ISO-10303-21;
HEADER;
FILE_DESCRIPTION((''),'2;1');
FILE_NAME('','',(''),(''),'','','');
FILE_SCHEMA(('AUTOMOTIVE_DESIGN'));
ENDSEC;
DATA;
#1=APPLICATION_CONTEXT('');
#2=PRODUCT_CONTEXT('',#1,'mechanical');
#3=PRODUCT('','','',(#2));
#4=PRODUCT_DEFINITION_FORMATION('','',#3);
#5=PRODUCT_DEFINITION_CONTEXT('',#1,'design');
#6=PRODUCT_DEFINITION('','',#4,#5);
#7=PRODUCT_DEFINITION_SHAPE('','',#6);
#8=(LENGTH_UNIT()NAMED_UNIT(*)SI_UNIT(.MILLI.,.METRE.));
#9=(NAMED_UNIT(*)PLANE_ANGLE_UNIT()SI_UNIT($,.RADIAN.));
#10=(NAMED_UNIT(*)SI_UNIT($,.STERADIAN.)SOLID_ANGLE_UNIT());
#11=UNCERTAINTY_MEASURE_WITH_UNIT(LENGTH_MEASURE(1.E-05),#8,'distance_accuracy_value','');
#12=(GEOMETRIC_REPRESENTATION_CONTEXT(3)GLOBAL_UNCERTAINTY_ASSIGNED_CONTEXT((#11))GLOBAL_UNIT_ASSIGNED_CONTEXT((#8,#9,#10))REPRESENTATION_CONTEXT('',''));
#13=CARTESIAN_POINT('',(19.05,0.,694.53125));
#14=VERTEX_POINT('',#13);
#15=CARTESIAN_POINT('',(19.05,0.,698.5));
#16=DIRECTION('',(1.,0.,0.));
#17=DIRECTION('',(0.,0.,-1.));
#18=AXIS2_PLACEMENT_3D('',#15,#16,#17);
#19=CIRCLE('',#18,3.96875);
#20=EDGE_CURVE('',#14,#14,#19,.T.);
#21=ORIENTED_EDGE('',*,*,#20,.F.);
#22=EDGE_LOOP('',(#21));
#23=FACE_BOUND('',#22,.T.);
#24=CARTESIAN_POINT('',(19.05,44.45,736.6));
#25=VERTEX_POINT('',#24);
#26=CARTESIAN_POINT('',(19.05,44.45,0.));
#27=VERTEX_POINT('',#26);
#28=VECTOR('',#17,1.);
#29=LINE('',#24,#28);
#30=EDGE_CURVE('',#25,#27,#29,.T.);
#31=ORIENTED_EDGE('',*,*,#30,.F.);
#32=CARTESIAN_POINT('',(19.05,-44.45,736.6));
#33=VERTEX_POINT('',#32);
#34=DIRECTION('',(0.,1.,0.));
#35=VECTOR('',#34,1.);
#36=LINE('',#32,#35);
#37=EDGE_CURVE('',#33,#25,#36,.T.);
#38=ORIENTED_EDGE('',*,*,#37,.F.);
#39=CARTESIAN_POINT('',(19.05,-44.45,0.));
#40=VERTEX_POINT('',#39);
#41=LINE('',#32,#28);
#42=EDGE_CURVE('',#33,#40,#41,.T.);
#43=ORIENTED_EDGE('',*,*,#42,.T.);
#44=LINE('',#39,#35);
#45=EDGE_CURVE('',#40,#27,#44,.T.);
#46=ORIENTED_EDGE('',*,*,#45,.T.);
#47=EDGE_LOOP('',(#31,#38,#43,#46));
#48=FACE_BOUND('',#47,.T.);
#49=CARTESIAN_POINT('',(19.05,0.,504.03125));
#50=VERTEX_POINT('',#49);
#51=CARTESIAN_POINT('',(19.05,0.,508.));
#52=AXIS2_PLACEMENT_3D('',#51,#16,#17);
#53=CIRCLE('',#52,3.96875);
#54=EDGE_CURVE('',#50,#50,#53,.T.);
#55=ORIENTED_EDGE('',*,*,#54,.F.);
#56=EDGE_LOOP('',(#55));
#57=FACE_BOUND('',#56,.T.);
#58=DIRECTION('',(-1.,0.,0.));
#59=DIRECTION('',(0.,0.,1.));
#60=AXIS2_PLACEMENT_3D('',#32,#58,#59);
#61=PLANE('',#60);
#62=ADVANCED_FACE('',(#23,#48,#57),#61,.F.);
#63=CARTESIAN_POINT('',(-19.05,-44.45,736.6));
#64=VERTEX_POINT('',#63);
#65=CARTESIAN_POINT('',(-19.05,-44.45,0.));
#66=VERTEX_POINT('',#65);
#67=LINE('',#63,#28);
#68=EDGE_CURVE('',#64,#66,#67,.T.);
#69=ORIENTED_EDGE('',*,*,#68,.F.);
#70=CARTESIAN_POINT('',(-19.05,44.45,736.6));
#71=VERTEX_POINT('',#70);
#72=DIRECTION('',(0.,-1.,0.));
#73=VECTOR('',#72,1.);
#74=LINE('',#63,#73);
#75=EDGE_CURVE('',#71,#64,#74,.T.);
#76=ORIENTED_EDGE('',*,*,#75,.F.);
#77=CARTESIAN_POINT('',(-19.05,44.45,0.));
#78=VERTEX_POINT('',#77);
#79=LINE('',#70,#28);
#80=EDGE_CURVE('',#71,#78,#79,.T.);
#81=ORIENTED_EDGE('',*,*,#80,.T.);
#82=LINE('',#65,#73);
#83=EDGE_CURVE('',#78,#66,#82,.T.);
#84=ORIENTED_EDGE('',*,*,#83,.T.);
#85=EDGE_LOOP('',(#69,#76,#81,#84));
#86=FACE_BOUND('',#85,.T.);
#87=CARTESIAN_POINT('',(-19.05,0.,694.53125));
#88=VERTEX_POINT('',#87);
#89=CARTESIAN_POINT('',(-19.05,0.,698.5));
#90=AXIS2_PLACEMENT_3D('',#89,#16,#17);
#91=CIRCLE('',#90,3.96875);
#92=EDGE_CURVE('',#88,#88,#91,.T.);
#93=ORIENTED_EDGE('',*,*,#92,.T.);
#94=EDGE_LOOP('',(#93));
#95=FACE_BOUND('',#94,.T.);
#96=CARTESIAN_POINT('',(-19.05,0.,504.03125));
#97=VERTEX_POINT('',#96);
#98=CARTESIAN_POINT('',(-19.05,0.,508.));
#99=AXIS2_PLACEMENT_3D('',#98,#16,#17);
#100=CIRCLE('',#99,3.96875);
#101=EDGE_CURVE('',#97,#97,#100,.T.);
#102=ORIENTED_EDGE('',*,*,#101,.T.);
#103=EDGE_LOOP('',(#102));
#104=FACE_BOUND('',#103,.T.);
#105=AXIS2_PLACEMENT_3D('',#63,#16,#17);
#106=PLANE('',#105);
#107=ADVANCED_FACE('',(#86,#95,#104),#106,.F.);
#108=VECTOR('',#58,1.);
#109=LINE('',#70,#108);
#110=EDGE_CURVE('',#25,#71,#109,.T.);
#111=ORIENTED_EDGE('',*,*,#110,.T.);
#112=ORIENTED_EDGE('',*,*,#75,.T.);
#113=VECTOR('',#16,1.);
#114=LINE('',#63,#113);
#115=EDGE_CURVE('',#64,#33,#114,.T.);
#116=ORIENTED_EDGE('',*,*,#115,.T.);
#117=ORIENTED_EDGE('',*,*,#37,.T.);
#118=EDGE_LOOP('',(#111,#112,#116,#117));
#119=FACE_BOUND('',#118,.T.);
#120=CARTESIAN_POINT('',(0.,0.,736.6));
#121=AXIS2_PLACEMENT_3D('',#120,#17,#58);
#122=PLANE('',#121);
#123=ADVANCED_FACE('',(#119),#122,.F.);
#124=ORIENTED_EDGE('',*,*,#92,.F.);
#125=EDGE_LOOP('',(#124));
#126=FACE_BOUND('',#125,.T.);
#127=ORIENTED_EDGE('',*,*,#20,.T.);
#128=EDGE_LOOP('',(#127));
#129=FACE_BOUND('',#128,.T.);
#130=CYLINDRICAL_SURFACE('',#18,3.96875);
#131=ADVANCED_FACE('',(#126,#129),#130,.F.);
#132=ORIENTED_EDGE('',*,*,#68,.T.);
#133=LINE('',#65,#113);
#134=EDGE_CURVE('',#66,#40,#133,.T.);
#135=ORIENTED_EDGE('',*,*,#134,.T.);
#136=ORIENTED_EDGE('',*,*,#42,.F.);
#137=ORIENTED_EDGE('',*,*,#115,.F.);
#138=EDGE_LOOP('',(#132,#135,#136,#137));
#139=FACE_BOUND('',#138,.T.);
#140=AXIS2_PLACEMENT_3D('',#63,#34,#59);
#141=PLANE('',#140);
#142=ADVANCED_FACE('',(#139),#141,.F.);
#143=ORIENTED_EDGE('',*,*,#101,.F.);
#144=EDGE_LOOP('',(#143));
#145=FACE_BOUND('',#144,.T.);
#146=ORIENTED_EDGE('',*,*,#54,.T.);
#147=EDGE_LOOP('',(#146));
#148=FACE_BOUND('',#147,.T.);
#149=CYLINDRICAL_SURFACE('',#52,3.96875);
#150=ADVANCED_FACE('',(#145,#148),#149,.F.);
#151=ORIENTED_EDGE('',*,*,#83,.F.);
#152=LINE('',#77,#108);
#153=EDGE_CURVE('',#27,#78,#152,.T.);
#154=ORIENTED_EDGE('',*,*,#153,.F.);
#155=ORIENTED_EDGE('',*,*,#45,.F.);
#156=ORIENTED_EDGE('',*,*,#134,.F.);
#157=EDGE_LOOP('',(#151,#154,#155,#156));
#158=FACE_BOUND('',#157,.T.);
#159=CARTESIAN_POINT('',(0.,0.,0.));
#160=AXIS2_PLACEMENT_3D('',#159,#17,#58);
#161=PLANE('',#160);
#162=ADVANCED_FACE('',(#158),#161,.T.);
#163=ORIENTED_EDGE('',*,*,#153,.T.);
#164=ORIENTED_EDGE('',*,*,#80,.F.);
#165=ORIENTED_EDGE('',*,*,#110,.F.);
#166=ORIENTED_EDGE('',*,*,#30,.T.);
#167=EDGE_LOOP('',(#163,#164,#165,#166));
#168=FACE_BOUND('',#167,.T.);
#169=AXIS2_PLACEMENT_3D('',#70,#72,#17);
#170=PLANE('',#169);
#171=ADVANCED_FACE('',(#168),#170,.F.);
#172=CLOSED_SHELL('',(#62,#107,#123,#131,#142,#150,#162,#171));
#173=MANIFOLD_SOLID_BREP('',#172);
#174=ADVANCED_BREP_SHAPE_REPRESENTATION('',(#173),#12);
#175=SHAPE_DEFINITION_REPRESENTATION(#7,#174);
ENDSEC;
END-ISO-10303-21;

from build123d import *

# Parameters (mm, degrees)
SKETCH1_W                      = 38.1
SKETCH1_H                      = 88.9
BOSS_EXTRUDE1_DEPTH            = 736.6
F_5_16_0_3125_DIAMETER_HOLE1_D = 7.9375


with BuildPart() as part:
    # Sketch1 → Boss-Extrude1 (new body)
    with BuildSketch(Plane.XY):
        Rectangle(SKETCH1_W, SKETCH1_H)
    extrude(amount=BOSS_EXTRUDE1_DEPTH)

    # 5/16 (0.3125) Diameter Hole1 (through all)
    with Locations(Plane(origin=(19.05, 0, 0), x_dir=(0, 0, -1), z_dir=(1, 0, 0))):
        with Locations((-698.5, 0), (-508, 0)):
            Hole(F_5_16_0_3125_DIAMETER_HOLE1_D / 2)


solid = part.part
